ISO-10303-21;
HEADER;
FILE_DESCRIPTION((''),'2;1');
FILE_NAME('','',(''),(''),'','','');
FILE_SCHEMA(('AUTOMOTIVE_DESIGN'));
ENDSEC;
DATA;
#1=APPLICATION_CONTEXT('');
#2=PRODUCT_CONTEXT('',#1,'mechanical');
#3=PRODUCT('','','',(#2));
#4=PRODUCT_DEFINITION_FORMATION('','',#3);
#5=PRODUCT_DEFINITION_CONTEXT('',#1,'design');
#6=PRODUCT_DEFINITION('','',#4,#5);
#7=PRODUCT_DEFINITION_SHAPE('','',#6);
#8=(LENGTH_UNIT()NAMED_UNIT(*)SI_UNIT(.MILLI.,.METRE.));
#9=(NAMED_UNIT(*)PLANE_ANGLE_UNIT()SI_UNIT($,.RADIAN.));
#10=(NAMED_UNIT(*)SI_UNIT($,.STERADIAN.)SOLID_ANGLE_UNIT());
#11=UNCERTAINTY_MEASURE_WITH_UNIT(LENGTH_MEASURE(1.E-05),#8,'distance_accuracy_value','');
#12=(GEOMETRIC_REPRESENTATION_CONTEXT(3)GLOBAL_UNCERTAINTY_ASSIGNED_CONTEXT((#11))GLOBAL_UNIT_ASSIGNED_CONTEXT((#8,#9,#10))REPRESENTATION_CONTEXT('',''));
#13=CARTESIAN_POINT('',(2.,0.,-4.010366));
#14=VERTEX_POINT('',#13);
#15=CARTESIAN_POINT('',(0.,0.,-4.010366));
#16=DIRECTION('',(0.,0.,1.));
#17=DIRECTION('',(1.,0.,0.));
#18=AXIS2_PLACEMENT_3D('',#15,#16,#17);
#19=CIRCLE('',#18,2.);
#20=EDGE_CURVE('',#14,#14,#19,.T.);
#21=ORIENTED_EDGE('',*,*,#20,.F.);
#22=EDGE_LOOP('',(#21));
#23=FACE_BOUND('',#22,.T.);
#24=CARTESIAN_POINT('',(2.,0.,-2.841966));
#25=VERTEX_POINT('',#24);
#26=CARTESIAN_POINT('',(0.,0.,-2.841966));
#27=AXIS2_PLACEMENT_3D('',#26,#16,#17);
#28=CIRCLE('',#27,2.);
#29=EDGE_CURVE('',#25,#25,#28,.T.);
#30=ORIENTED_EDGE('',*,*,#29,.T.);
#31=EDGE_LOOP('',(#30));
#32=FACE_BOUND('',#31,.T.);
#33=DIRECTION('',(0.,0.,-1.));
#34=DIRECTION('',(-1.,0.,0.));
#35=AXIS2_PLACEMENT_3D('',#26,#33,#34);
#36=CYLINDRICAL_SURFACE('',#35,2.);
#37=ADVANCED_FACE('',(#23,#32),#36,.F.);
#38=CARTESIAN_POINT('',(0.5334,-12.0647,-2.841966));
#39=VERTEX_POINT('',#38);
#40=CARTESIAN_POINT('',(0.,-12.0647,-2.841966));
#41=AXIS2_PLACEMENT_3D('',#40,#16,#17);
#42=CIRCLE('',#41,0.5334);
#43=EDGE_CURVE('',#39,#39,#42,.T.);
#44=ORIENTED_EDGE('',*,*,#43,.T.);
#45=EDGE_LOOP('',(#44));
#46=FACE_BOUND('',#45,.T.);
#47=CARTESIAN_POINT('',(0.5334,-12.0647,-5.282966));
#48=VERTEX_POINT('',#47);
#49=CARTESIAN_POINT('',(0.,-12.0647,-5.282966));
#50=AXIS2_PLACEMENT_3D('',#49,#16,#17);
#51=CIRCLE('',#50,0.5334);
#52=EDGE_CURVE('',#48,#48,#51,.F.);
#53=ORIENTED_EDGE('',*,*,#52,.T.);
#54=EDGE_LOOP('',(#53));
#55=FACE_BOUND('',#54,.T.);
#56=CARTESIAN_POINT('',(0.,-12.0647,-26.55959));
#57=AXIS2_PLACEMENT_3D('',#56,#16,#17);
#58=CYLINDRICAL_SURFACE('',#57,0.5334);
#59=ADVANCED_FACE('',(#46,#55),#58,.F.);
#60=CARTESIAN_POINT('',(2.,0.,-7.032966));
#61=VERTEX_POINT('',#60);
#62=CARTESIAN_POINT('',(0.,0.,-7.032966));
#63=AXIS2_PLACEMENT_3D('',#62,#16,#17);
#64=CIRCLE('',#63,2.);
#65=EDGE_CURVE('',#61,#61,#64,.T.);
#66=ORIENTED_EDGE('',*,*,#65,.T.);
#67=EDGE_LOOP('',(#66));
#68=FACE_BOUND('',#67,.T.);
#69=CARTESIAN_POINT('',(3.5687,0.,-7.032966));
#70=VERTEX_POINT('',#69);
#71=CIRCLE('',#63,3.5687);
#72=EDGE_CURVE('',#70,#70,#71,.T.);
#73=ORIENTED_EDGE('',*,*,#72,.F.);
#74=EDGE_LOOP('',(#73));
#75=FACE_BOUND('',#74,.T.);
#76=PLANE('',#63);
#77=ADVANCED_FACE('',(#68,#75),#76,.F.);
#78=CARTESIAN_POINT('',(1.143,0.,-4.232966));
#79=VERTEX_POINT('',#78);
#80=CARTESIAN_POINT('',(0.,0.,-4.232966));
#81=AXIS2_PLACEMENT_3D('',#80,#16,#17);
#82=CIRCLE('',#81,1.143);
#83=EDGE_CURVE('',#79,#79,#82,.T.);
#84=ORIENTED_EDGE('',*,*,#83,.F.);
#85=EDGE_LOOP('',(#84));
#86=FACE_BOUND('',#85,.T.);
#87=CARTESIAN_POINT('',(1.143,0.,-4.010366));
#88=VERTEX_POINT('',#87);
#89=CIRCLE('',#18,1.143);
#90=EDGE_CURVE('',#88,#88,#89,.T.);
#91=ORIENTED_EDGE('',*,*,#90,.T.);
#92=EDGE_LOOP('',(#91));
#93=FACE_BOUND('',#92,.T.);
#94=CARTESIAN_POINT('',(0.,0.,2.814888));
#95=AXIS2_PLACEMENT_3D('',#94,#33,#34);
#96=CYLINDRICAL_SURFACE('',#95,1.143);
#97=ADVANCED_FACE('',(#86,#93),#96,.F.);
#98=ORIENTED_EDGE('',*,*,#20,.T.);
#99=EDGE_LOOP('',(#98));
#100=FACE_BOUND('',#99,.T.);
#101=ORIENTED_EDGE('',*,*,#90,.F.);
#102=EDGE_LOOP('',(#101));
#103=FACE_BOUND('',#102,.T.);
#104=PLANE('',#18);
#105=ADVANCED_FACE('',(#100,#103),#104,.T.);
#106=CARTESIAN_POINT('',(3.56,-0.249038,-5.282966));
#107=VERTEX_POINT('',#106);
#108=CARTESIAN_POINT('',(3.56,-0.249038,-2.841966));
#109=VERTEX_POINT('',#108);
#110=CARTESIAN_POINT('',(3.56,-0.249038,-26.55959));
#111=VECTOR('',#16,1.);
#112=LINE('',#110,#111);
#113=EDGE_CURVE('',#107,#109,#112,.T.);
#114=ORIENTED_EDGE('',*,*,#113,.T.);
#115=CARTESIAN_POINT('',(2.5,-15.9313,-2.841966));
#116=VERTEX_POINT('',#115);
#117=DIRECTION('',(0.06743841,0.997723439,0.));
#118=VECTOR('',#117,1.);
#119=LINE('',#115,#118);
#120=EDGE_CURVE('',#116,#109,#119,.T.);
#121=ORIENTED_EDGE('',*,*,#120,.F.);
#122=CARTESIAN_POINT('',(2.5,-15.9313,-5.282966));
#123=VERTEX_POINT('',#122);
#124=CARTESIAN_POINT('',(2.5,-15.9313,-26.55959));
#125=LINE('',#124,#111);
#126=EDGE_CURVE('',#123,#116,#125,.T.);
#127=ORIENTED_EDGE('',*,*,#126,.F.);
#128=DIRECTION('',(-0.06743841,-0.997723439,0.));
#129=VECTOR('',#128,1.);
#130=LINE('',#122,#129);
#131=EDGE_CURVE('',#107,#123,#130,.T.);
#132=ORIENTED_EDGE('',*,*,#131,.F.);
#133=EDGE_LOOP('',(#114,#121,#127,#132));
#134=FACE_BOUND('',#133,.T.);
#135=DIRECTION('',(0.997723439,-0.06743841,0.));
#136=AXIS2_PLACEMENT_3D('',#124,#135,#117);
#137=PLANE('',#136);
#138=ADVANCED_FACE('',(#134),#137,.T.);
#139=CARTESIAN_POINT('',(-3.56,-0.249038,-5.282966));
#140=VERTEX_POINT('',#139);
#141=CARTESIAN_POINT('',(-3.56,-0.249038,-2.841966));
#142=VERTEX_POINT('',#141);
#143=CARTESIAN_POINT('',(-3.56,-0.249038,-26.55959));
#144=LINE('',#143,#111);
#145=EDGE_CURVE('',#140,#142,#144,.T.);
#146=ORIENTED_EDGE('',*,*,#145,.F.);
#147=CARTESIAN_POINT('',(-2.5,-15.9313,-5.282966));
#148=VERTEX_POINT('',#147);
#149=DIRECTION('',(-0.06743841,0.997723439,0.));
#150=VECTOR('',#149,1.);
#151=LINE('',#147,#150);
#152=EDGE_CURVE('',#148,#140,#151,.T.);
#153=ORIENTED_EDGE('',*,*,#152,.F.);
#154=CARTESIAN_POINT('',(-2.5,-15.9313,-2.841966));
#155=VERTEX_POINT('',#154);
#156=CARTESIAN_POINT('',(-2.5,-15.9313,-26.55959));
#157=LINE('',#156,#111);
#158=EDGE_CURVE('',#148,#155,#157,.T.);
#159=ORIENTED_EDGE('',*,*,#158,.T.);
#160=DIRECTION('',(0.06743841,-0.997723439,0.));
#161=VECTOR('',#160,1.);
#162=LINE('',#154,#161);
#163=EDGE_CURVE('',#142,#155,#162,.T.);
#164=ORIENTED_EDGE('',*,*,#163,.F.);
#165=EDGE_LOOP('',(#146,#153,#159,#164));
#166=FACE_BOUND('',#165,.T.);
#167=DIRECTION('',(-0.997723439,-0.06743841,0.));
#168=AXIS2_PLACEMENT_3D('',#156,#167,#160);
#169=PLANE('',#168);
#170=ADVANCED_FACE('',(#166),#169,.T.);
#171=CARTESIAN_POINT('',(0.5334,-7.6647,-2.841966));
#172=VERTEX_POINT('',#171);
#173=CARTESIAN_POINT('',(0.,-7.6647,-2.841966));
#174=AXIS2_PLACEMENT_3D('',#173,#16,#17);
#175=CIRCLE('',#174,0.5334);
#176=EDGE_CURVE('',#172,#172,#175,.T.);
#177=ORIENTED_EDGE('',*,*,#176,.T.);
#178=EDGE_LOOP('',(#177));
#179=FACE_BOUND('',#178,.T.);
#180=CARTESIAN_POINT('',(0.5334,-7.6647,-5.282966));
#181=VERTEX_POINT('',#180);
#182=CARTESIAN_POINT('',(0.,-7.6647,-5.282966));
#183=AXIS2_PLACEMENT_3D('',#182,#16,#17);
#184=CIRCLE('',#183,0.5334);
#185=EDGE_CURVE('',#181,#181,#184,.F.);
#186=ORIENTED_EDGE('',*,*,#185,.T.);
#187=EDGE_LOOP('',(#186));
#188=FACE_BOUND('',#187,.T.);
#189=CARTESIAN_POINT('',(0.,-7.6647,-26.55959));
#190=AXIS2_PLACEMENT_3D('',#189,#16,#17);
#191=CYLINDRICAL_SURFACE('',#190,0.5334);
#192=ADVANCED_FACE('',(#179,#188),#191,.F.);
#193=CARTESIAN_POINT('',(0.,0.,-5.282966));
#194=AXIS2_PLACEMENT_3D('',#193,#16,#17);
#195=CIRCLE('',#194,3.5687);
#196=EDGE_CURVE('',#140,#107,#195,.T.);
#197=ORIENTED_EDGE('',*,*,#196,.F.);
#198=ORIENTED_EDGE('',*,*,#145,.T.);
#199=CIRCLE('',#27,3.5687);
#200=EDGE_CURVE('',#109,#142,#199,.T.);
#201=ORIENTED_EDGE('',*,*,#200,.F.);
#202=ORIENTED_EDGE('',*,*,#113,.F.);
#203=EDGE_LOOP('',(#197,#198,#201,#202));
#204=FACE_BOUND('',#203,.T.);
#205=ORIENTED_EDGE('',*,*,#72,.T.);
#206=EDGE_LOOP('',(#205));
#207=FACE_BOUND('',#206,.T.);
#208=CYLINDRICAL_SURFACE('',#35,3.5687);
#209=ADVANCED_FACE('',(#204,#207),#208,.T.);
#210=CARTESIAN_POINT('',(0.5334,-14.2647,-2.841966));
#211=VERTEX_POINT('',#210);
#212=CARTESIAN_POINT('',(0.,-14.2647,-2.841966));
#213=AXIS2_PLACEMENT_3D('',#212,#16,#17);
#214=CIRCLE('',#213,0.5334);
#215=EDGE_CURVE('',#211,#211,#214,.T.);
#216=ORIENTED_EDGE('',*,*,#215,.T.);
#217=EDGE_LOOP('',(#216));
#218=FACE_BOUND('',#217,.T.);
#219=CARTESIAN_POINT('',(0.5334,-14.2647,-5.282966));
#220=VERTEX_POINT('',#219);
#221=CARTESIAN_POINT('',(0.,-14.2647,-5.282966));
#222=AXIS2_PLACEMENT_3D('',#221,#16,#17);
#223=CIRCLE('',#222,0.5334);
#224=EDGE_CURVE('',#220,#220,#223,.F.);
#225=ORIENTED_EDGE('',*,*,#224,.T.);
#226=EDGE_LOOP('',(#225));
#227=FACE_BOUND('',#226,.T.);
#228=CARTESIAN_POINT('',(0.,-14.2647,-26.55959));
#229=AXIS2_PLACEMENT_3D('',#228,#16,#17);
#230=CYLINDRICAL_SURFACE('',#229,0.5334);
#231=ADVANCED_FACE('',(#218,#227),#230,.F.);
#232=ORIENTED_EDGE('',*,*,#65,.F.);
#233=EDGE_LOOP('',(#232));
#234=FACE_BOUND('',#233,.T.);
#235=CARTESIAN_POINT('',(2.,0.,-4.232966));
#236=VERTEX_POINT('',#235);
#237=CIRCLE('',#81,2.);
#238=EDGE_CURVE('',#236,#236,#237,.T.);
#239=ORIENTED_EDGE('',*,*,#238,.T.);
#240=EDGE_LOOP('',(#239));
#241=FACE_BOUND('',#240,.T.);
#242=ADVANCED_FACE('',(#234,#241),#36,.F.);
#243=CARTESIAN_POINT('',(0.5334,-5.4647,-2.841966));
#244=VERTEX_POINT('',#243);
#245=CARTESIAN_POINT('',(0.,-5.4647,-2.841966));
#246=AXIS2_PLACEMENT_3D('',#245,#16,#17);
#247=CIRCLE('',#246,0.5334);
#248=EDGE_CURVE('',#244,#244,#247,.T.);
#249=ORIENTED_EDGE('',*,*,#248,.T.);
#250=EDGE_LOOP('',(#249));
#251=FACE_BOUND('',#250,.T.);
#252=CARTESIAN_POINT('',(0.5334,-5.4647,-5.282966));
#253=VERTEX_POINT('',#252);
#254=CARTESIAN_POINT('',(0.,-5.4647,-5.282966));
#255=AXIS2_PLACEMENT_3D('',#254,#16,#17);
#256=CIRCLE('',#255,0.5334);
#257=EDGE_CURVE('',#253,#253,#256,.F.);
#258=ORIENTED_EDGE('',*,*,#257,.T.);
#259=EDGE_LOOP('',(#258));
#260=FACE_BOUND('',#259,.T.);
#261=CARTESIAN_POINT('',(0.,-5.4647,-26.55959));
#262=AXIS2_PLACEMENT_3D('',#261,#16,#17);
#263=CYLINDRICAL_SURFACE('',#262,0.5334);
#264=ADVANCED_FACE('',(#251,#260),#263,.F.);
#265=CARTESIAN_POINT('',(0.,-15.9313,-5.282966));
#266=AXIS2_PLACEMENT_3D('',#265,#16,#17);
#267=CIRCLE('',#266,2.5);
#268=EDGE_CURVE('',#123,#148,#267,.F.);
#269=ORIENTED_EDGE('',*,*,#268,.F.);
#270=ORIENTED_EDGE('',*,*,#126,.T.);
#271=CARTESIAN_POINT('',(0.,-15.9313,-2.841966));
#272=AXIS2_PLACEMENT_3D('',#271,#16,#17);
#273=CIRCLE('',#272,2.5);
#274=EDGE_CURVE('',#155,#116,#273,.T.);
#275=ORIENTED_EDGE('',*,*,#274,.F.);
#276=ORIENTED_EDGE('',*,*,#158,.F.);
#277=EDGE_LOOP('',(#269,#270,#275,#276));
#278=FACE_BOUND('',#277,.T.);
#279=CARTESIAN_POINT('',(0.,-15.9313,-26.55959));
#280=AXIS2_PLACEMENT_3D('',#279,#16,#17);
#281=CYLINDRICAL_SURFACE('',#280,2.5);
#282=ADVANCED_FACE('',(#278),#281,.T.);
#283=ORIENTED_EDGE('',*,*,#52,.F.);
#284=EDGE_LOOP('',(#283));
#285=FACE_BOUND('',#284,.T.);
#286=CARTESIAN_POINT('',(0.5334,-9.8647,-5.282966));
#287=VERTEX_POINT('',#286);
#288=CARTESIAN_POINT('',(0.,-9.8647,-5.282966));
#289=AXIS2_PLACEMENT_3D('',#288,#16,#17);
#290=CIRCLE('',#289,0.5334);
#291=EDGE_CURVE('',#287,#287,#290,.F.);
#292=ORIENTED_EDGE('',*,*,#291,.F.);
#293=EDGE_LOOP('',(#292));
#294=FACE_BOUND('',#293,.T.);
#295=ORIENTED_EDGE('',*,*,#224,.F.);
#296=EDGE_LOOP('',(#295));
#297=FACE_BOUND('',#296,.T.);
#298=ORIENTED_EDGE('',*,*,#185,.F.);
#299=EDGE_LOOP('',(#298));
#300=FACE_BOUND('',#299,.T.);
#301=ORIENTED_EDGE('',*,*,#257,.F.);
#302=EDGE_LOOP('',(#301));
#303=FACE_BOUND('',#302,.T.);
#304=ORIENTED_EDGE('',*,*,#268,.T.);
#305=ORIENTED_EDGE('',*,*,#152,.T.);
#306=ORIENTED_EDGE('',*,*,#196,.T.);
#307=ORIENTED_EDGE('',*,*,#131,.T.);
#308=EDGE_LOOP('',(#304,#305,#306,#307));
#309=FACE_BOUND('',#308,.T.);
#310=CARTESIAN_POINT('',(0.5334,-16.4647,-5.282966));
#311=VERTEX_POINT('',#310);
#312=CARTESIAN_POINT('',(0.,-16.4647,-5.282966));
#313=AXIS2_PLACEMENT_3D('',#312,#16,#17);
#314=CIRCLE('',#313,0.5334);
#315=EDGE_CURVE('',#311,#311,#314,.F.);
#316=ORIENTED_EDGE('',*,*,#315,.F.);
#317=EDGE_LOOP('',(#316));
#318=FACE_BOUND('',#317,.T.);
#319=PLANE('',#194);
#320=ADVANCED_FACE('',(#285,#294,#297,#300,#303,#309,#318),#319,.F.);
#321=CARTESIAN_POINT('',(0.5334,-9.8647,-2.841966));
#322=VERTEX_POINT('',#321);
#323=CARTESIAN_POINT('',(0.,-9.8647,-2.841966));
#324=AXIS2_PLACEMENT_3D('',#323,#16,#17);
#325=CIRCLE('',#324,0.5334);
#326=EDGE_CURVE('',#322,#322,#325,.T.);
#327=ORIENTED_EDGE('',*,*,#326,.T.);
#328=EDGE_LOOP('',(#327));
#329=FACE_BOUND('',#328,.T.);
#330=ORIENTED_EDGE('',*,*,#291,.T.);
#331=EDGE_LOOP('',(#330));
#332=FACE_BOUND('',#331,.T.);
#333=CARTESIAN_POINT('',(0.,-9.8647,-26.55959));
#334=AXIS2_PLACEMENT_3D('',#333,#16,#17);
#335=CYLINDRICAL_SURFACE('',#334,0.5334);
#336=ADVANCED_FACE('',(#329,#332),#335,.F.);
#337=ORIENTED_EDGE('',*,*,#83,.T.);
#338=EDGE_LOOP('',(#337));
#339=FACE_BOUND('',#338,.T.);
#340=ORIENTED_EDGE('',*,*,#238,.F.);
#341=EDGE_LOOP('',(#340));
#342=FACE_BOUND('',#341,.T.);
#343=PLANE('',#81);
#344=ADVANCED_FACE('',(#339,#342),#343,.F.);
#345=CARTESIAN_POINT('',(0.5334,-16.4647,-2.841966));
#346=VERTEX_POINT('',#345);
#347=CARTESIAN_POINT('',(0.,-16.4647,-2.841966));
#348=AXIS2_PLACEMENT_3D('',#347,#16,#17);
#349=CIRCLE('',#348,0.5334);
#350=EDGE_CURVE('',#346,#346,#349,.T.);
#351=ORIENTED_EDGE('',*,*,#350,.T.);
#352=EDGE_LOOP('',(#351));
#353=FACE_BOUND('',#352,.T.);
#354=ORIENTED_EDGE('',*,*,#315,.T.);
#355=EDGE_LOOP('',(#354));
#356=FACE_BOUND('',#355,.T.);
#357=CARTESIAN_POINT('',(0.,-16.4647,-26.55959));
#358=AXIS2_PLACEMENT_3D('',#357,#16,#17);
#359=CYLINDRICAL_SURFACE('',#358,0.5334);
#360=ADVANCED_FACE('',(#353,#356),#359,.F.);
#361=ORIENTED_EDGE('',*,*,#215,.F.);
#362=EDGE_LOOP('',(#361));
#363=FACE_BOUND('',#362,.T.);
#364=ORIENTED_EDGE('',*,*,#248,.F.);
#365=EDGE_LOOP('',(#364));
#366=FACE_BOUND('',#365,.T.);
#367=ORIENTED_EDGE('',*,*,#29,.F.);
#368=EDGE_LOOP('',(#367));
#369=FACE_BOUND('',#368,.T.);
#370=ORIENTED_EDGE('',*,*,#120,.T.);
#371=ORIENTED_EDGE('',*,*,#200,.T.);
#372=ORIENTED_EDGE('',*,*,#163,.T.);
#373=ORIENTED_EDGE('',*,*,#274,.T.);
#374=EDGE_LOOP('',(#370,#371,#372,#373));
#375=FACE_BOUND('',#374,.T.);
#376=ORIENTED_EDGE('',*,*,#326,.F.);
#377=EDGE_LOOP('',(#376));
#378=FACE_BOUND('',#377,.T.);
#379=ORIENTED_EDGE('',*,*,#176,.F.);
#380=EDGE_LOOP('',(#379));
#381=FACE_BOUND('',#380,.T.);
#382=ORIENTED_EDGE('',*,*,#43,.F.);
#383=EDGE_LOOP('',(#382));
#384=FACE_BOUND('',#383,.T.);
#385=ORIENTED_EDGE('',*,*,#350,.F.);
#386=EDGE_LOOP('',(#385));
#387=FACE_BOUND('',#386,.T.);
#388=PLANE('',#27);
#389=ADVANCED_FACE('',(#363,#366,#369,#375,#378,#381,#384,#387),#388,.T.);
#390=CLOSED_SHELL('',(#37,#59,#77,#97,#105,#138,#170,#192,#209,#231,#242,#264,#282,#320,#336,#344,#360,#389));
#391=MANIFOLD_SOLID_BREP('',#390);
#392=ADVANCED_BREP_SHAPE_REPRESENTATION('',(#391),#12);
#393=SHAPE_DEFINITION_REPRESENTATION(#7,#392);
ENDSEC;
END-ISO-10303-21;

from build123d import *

# Parameters (mm, degrees)
SKETCH1_R           = 3.5687
SKETCH1_R_2         = 2
BOSS_EXTRUDE1_DEPTH = 4.191
SKETCH5_R           = 2
SKETCH5_R_2         = 1.143
BOSS_EXTRUDE2_DEPTH = 0.2226
BOSS_EXTRUDE3_START = -2.441
SKETCH6_R           = 0.5334
BOSS_EXTRUDE3_DEPTH = 2.441


with BuildPart() as part:
    # Sketch1 → Boss-Extrude1 (new body)
    with BuildSketch(Plane.XY.offset(-7.032965862)):
        Circle(SKETCH1_R)
        Circle(SKETCH1_R_2, mode=Mode.SUBTRACT)
    extrude(amount=BOSS_EXTRUDE1_DEPTH)

    # Sketch5 → Boss-Extrude2 (add)
    with BuildSketch(Plane.XY.offset(-4.232965862)):
        Circle(SKETCH5_R)
        Circle(SKETCH5_R_2, mode=Mode.SUBTRACT)
    extrude(amount=BOSS_EXTRUDE2_DEPTH)

    # Sketch6 → Boss-Extrude3 (add)
    with BuildSketch(Plane.XY.offset(-2.841965862).offset(BOSS_EXTRUDE3_START)):
        with BuildLine():
            Line((2.5, -15.9313), (3.56, -0.249037527))
            ThreePointArc((3.56, -0.249037527), (0, -3.5687), (-3.56, -0.249037527))
            Line((-3.56, -0.249037527), (-2.5, -15.9313))
            ThreePointArc((-2.5, -15.9313), (0, -18.4313), (2.5, -15.9313))
        make_face()
        with Locations((0, -14.2647)):
            Circle(SKETCH6_R, mode=Mode.SUBTRACT)
        with Locations((0, -16.4647)):
            Circle(SKETCH6_R, mode=Mode.SUBTRACT)
        with Locations((0, -12.0647)):
            Circle(SKETCH6_R, mode=Mode.SUBTRACT)
        with Locations((0, -9.8647)):
            Circle(SKETCH6_R, mode=Mode.SUBTRACT)
        with Locations((0, -7.6647)):
            Circle(SKETCH6_R, mode=Mode.SUBTRACT)
        with Locations((0, -5.4647)):
            Circle(SKETCH6_R, mode=Mode.SUBTRACT)
    extrude(amount=BOSS_EXTRUDE3_DEPTH)


solid = part.part
